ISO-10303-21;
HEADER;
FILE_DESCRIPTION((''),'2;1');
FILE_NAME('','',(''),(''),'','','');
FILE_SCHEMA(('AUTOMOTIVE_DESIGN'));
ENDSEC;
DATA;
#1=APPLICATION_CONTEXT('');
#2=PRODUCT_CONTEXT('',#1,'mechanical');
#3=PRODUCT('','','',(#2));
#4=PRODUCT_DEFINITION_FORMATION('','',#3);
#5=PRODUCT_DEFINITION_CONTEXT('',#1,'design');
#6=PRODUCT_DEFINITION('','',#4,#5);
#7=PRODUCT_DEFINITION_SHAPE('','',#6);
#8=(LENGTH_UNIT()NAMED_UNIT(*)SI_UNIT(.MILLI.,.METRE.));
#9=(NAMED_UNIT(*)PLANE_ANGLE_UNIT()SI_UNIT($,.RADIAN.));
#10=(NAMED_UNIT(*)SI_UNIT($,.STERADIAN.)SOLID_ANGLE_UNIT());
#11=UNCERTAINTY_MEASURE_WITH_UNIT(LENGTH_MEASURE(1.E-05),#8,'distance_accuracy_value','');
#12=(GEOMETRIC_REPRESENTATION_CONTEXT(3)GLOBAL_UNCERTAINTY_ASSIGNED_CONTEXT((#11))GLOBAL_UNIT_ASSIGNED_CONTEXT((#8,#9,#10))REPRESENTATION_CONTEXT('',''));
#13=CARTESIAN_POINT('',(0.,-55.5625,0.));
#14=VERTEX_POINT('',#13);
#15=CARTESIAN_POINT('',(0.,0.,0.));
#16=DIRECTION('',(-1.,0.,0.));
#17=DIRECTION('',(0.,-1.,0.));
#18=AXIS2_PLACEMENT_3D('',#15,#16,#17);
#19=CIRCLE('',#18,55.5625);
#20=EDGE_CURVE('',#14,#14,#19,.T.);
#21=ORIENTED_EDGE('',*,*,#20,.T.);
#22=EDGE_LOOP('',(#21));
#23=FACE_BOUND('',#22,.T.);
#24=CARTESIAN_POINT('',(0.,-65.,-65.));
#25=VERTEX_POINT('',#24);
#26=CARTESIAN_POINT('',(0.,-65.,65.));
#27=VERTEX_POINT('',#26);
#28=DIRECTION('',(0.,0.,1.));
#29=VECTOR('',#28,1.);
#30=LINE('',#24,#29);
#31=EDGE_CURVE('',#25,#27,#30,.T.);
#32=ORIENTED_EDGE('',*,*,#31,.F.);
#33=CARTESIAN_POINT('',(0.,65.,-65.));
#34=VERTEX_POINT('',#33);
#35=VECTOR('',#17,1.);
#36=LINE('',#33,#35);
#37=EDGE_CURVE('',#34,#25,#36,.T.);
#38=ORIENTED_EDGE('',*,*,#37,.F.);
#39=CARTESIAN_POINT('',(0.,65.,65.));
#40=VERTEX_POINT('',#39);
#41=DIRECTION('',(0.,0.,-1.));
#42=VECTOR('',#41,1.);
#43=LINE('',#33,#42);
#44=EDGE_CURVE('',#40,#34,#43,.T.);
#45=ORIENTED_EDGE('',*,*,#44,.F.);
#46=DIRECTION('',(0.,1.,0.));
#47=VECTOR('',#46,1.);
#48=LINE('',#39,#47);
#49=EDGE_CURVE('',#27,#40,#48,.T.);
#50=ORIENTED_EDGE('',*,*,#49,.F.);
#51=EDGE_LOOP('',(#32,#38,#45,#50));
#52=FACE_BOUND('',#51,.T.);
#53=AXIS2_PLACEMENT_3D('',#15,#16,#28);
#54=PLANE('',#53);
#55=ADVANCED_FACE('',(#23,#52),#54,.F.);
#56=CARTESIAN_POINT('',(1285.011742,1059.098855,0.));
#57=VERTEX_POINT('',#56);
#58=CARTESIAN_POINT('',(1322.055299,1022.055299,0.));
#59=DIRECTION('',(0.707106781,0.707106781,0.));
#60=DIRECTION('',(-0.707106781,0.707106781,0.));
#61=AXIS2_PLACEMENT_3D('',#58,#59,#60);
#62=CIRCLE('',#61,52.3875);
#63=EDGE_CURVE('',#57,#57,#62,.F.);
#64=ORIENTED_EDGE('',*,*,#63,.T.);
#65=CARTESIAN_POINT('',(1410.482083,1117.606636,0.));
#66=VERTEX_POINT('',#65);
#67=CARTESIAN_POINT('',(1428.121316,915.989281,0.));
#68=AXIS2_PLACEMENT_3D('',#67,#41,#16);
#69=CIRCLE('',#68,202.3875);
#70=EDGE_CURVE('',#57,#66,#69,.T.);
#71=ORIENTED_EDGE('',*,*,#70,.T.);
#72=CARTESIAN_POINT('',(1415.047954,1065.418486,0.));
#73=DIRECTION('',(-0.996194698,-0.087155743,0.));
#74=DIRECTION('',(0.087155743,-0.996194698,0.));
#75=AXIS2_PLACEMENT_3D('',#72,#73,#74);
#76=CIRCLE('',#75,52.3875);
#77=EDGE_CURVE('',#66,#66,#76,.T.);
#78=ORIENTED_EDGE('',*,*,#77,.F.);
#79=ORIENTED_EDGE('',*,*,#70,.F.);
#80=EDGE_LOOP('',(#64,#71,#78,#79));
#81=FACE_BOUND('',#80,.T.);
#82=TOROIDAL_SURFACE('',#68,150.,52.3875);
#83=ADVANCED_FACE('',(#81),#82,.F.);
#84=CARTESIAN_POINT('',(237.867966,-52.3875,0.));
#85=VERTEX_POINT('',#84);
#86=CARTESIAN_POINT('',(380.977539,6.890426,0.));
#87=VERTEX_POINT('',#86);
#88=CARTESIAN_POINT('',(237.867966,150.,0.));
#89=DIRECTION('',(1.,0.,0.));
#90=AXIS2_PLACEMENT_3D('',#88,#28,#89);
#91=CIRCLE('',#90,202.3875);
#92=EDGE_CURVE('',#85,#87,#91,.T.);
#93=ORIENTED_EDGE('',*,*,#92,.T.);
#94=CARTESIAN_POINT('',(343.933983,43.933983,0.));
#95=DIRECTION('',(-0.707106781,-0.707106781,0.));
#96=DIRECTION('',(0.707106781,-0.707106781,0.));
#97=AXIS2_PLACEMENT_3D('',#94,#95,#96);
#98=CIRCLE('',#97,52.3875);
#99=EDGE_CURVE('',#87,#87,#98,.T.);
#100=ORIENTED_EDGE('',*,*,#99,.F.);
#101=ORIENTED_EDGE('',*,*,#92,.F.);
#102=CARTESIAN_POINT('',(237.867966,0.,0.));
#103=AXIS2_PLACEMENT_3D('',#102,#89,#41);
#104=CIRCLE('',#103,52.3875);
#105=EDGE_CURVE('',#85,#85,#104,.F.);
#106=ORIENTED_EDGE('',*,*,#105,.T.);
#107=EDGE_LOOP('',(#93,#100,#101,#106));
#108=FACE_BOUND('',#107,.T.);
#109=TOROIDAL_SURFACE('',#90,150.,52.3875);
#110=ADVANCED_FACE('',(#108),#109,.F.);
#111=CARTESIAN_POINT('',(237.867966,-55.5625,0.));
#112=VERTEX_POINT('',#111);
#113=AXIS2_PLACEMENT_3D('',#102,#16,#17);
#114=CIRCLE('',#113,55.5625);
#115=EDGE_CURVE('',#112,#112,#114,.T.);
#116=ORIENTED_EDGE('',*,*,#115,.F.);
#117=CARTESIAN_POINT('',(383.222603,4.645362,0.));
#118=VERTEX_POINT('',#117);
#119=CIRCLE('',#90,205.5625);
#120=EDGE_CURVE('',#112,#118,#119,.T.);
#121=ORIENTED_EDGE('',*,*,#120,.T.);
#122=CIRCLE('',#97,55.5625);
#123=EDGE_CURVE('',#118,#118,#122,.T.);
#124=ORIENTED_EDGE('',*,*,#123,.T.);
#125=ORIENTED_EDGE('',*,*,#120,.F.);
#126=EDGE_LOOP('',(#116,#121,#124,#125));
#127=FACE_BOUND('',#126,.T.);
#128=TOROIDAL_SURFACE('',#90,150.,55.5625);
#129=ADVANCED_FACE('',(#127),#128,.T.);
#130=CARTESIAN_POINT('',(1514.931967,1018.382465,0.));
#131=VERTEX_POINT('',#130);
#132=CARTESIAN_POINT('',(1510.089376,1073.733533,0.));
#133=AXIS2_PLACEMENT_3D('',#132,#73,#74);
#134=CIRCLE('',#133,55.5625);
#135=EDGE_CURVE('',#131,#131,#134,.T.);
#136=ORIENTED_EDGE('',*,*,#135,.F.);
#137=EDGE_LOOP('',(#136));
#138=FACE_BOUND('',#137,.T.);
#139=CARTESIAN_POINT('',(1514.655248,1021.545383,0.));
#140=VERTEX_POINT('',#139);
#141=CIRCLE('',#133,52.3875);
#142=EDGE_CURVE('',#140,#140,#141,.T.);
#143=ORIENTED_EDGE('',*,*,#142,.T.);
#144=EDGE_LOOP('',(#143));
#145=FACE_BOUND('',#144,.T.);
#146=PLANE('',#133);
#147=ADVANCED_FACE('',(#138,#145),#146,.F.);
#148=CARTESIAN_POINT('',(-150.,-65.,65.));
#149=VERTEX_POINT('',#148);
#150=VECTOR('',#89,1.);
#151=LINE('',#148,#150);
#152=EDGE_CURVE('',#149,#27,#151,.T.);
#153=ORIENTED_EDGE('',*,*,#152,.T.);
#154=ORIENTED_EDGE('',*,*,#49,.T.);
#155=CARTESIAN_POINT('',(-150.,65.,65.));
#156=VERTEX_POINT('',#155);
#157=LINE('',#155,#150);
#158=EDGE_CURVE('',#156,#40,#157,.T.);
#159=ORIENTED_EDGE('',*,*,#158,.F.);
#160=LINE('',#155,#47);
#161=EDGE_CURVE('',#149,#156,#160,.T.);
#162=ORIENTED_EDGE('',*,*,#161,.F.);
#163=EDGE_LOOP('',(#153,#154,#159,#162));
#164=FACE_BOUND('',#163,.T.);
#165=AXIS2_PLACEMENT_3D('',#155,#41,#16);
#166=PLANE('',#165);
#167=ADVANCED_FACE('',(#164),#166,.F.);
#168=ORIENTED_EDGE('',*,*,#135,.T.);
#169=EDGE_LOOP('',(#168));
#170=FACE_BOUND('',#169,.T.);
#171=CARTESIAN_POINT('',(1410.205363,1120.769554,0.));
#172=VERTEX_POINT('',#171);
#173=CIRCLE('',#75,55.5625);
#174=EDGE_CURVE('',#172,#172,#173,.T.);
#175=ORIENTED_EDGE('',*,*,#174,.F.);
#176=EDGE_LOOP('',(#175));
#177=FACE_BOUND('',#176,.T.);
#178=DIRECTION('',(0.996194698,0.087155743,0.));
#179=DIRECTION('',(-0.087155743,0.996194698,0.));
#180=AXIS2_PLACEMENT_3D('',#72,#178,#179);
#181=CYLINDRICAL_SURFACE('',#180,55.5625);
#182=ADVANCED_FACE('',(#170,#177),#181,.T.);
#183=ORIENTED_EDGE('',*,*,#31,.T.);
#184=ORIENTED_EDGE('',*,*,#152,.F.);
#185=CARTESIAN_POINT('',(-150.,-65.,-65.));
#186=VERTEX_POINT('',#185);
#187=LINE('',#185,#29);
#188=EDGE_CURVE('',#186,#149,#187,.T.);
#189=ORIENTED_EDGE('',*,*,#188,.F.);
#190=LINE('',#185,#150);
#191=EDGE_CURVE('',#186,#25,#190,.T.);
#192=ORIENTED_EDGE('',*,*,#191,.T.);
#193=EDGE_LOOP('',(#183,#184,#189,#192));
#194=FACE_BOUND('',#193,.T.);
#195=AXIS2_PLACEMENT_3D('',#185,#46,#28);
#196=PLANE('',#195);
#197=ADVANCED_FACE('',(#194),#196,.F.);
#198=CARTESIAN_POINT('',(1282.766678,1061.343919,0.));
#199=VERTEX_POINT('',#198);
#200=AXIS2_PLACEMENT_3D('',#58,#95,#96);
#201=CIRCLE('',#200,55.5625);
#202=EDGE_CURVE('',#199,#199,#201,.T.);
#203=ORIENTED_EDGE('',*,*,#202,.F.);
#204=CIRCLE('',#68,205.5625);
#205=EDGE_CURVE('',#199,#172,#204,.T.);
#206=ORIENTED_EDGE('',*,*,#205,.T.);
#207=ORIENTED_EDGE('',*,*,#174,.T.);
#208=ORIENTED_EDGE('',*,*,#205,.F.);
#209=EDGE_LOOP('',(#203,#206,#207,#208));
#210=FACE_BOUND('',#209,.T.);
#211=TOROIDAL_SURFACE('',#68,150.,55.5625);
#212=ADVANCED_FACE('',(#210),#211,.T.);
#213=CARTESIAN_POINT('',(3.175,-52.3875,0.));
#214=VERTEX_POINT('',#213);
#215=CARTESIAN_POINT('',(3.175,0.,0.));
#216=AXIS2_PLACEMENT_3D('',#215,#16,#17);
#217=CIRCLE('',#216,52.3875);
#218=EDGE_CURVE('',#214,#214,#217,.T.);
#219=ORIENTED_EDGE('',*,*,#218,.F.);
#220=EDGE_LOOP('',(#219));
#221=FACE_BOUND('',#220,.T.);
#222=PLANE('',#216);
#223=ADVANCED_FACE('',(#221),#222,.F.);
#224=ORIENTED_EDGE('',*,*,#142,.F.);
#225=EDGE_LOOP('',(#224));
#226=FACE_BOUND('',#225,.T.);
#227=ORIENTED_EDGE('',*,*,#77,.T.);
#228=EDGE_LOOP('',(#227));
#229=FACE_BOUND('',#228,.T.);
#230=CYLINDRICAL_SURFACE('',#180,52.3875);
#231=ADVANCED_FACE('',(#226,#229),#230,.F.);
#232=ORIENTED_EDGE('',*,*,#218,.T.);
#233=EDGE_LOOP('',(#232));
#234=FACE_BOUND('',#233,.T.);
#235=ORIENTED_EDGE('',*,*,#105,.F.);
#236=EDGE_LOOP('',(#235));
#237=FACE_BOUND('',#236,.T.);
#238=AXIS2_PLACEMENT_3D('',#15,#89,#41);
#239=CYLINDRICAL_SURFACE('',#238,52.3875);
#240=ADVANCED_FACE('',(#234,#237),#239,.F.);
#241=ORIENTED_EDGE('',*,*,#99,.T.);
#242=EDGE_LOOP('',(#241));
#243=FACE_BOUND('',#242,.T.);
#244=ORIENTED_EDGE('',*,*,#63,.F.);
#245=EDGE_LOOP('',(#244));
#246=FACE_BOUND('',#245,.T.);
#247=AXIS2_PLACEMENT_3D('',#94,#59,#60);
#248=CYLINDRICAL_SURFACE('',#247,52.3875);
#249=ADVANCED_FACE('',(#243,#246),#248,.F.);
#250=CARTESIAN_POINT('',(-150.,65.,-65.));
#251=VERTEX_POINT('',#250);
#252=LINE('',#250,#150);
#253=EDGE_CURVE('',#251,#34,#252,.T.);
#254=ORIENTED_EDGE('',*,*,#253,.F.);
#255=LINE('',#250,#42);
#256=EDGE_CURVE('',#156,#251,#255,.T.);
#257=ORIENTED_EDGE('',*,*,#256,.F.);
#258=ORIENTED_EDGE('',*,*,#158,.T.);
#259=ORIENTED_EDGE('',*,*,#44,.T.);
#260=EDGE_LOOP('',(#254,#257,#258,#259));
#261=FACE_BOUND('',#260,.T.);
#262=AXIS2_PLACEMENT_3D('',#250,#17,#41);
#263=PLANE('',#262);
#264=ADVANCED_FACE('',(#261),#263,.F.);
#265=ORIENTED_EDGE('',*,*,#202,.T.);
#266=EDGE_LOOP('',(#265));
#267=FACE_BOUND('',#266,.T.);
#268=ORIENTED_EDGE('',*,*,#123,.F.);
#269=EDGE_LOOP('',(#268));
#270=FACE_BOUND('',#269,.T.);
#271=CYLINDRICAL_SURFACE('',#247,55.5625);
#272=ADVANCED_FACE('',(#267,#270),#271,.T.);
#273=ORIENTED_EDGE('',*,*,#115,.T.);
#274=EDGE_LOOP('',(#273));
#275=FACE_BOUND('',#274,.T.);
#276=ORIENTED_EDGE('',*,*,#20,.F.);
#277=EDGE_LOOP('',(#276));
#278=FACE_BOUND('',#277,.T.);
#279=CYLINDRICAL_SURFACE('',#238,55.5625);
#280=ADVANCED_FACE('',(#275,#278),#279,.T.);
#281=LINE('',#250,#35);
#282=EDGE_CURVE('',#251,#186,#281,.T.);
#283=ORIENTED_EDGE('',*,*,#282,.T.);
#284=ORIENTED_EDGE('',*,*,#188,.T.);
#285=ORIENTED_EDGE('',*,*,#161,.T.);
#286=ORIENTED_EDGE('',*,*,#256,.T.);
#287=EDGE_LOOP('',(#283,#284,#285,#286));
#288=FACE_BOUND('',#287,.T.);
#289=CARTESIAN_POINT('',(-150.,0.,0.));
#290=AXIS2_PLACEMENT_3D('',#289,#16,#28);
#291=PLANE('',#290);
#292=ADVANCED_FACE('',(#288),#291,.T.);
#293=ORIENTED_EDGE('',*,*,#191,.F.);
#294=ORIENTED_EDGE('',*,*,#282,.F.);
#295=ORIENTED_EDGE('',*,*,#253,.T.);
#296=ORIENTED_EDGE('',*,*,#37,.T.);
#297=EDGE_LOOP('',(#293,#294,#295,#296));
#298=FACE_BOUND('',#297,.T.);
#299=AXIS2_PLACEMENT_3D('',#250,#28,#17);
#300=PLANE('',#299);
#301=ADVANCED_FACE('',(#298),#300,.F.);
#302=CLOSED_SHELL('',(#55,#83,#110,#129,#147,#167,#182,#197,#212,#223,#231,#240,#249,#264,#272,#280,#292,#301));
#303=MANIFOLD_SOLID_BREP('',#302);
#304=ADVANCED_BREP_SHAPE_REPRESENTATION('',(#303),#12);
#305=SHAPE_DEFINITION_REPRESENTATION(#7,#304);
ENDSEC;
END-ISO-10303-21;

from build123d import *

# Parameters (mm, degrees)
BARRER2_PROFILE_R       = 55.5625
VACIADO1_T              = -3.175
CROQUIS2_W              = 130
CROQUIS2_H              = 130
SALIENTE_EXTRUIR1_DEPTH = 150


with BuildPart() as part:
    # Barrer2: sweep along a path in Croquis1
    with BuildLine(Plane.XY) as barrer2_path:
        Line((0, 0), (237.867965644, 0))
        ThreePointArc((237.867965644, 0), (295.270480499, 11.418070123), (343.933982822, 43.933982822))
        Line((343.933982822, 43.933982822), (1322.05529866, 1022.05529866))
        ThreePointArc((1322.05529866, 1022.05529866), (1364.728576577, 1051.935449537), (1415.047954426, 1065.418486196))
        Line((1415.047954426, 1065.418486196), (1510.089376494, 1073.733533192))
    # Barrer2 profile (on start of the path) → Barrer2 (sweep)
    with BuildSketch(Plane(origin=(0, 0, 0), x_dir=(0, 0, 1), z_dir=(1, 0, 0))):
        Circle(BARRER2_PROFILE_R)
    sweep(path=barrer2_path.line)

    # Vaciado1
    vaciado1_openings = [part.faces().sort_by_distance(p)[0] for p in [
        (1510.089376494, 1073.733533192, 0),
    ]]
    offset(amount=VACIADO1_T, openings=vaciado1_openings, kind=Kind.INTERSECTION)

    # Croquis2 → Saliente-Extruir1 (add)
    with BuildSketch(Plane.ZY):
        Rectangle(CROQUIS2_W, CROQUIS2_H)
    extrude(amount=SALIENTE_EXTRUIR1_DEPTH)


solid = part.part
